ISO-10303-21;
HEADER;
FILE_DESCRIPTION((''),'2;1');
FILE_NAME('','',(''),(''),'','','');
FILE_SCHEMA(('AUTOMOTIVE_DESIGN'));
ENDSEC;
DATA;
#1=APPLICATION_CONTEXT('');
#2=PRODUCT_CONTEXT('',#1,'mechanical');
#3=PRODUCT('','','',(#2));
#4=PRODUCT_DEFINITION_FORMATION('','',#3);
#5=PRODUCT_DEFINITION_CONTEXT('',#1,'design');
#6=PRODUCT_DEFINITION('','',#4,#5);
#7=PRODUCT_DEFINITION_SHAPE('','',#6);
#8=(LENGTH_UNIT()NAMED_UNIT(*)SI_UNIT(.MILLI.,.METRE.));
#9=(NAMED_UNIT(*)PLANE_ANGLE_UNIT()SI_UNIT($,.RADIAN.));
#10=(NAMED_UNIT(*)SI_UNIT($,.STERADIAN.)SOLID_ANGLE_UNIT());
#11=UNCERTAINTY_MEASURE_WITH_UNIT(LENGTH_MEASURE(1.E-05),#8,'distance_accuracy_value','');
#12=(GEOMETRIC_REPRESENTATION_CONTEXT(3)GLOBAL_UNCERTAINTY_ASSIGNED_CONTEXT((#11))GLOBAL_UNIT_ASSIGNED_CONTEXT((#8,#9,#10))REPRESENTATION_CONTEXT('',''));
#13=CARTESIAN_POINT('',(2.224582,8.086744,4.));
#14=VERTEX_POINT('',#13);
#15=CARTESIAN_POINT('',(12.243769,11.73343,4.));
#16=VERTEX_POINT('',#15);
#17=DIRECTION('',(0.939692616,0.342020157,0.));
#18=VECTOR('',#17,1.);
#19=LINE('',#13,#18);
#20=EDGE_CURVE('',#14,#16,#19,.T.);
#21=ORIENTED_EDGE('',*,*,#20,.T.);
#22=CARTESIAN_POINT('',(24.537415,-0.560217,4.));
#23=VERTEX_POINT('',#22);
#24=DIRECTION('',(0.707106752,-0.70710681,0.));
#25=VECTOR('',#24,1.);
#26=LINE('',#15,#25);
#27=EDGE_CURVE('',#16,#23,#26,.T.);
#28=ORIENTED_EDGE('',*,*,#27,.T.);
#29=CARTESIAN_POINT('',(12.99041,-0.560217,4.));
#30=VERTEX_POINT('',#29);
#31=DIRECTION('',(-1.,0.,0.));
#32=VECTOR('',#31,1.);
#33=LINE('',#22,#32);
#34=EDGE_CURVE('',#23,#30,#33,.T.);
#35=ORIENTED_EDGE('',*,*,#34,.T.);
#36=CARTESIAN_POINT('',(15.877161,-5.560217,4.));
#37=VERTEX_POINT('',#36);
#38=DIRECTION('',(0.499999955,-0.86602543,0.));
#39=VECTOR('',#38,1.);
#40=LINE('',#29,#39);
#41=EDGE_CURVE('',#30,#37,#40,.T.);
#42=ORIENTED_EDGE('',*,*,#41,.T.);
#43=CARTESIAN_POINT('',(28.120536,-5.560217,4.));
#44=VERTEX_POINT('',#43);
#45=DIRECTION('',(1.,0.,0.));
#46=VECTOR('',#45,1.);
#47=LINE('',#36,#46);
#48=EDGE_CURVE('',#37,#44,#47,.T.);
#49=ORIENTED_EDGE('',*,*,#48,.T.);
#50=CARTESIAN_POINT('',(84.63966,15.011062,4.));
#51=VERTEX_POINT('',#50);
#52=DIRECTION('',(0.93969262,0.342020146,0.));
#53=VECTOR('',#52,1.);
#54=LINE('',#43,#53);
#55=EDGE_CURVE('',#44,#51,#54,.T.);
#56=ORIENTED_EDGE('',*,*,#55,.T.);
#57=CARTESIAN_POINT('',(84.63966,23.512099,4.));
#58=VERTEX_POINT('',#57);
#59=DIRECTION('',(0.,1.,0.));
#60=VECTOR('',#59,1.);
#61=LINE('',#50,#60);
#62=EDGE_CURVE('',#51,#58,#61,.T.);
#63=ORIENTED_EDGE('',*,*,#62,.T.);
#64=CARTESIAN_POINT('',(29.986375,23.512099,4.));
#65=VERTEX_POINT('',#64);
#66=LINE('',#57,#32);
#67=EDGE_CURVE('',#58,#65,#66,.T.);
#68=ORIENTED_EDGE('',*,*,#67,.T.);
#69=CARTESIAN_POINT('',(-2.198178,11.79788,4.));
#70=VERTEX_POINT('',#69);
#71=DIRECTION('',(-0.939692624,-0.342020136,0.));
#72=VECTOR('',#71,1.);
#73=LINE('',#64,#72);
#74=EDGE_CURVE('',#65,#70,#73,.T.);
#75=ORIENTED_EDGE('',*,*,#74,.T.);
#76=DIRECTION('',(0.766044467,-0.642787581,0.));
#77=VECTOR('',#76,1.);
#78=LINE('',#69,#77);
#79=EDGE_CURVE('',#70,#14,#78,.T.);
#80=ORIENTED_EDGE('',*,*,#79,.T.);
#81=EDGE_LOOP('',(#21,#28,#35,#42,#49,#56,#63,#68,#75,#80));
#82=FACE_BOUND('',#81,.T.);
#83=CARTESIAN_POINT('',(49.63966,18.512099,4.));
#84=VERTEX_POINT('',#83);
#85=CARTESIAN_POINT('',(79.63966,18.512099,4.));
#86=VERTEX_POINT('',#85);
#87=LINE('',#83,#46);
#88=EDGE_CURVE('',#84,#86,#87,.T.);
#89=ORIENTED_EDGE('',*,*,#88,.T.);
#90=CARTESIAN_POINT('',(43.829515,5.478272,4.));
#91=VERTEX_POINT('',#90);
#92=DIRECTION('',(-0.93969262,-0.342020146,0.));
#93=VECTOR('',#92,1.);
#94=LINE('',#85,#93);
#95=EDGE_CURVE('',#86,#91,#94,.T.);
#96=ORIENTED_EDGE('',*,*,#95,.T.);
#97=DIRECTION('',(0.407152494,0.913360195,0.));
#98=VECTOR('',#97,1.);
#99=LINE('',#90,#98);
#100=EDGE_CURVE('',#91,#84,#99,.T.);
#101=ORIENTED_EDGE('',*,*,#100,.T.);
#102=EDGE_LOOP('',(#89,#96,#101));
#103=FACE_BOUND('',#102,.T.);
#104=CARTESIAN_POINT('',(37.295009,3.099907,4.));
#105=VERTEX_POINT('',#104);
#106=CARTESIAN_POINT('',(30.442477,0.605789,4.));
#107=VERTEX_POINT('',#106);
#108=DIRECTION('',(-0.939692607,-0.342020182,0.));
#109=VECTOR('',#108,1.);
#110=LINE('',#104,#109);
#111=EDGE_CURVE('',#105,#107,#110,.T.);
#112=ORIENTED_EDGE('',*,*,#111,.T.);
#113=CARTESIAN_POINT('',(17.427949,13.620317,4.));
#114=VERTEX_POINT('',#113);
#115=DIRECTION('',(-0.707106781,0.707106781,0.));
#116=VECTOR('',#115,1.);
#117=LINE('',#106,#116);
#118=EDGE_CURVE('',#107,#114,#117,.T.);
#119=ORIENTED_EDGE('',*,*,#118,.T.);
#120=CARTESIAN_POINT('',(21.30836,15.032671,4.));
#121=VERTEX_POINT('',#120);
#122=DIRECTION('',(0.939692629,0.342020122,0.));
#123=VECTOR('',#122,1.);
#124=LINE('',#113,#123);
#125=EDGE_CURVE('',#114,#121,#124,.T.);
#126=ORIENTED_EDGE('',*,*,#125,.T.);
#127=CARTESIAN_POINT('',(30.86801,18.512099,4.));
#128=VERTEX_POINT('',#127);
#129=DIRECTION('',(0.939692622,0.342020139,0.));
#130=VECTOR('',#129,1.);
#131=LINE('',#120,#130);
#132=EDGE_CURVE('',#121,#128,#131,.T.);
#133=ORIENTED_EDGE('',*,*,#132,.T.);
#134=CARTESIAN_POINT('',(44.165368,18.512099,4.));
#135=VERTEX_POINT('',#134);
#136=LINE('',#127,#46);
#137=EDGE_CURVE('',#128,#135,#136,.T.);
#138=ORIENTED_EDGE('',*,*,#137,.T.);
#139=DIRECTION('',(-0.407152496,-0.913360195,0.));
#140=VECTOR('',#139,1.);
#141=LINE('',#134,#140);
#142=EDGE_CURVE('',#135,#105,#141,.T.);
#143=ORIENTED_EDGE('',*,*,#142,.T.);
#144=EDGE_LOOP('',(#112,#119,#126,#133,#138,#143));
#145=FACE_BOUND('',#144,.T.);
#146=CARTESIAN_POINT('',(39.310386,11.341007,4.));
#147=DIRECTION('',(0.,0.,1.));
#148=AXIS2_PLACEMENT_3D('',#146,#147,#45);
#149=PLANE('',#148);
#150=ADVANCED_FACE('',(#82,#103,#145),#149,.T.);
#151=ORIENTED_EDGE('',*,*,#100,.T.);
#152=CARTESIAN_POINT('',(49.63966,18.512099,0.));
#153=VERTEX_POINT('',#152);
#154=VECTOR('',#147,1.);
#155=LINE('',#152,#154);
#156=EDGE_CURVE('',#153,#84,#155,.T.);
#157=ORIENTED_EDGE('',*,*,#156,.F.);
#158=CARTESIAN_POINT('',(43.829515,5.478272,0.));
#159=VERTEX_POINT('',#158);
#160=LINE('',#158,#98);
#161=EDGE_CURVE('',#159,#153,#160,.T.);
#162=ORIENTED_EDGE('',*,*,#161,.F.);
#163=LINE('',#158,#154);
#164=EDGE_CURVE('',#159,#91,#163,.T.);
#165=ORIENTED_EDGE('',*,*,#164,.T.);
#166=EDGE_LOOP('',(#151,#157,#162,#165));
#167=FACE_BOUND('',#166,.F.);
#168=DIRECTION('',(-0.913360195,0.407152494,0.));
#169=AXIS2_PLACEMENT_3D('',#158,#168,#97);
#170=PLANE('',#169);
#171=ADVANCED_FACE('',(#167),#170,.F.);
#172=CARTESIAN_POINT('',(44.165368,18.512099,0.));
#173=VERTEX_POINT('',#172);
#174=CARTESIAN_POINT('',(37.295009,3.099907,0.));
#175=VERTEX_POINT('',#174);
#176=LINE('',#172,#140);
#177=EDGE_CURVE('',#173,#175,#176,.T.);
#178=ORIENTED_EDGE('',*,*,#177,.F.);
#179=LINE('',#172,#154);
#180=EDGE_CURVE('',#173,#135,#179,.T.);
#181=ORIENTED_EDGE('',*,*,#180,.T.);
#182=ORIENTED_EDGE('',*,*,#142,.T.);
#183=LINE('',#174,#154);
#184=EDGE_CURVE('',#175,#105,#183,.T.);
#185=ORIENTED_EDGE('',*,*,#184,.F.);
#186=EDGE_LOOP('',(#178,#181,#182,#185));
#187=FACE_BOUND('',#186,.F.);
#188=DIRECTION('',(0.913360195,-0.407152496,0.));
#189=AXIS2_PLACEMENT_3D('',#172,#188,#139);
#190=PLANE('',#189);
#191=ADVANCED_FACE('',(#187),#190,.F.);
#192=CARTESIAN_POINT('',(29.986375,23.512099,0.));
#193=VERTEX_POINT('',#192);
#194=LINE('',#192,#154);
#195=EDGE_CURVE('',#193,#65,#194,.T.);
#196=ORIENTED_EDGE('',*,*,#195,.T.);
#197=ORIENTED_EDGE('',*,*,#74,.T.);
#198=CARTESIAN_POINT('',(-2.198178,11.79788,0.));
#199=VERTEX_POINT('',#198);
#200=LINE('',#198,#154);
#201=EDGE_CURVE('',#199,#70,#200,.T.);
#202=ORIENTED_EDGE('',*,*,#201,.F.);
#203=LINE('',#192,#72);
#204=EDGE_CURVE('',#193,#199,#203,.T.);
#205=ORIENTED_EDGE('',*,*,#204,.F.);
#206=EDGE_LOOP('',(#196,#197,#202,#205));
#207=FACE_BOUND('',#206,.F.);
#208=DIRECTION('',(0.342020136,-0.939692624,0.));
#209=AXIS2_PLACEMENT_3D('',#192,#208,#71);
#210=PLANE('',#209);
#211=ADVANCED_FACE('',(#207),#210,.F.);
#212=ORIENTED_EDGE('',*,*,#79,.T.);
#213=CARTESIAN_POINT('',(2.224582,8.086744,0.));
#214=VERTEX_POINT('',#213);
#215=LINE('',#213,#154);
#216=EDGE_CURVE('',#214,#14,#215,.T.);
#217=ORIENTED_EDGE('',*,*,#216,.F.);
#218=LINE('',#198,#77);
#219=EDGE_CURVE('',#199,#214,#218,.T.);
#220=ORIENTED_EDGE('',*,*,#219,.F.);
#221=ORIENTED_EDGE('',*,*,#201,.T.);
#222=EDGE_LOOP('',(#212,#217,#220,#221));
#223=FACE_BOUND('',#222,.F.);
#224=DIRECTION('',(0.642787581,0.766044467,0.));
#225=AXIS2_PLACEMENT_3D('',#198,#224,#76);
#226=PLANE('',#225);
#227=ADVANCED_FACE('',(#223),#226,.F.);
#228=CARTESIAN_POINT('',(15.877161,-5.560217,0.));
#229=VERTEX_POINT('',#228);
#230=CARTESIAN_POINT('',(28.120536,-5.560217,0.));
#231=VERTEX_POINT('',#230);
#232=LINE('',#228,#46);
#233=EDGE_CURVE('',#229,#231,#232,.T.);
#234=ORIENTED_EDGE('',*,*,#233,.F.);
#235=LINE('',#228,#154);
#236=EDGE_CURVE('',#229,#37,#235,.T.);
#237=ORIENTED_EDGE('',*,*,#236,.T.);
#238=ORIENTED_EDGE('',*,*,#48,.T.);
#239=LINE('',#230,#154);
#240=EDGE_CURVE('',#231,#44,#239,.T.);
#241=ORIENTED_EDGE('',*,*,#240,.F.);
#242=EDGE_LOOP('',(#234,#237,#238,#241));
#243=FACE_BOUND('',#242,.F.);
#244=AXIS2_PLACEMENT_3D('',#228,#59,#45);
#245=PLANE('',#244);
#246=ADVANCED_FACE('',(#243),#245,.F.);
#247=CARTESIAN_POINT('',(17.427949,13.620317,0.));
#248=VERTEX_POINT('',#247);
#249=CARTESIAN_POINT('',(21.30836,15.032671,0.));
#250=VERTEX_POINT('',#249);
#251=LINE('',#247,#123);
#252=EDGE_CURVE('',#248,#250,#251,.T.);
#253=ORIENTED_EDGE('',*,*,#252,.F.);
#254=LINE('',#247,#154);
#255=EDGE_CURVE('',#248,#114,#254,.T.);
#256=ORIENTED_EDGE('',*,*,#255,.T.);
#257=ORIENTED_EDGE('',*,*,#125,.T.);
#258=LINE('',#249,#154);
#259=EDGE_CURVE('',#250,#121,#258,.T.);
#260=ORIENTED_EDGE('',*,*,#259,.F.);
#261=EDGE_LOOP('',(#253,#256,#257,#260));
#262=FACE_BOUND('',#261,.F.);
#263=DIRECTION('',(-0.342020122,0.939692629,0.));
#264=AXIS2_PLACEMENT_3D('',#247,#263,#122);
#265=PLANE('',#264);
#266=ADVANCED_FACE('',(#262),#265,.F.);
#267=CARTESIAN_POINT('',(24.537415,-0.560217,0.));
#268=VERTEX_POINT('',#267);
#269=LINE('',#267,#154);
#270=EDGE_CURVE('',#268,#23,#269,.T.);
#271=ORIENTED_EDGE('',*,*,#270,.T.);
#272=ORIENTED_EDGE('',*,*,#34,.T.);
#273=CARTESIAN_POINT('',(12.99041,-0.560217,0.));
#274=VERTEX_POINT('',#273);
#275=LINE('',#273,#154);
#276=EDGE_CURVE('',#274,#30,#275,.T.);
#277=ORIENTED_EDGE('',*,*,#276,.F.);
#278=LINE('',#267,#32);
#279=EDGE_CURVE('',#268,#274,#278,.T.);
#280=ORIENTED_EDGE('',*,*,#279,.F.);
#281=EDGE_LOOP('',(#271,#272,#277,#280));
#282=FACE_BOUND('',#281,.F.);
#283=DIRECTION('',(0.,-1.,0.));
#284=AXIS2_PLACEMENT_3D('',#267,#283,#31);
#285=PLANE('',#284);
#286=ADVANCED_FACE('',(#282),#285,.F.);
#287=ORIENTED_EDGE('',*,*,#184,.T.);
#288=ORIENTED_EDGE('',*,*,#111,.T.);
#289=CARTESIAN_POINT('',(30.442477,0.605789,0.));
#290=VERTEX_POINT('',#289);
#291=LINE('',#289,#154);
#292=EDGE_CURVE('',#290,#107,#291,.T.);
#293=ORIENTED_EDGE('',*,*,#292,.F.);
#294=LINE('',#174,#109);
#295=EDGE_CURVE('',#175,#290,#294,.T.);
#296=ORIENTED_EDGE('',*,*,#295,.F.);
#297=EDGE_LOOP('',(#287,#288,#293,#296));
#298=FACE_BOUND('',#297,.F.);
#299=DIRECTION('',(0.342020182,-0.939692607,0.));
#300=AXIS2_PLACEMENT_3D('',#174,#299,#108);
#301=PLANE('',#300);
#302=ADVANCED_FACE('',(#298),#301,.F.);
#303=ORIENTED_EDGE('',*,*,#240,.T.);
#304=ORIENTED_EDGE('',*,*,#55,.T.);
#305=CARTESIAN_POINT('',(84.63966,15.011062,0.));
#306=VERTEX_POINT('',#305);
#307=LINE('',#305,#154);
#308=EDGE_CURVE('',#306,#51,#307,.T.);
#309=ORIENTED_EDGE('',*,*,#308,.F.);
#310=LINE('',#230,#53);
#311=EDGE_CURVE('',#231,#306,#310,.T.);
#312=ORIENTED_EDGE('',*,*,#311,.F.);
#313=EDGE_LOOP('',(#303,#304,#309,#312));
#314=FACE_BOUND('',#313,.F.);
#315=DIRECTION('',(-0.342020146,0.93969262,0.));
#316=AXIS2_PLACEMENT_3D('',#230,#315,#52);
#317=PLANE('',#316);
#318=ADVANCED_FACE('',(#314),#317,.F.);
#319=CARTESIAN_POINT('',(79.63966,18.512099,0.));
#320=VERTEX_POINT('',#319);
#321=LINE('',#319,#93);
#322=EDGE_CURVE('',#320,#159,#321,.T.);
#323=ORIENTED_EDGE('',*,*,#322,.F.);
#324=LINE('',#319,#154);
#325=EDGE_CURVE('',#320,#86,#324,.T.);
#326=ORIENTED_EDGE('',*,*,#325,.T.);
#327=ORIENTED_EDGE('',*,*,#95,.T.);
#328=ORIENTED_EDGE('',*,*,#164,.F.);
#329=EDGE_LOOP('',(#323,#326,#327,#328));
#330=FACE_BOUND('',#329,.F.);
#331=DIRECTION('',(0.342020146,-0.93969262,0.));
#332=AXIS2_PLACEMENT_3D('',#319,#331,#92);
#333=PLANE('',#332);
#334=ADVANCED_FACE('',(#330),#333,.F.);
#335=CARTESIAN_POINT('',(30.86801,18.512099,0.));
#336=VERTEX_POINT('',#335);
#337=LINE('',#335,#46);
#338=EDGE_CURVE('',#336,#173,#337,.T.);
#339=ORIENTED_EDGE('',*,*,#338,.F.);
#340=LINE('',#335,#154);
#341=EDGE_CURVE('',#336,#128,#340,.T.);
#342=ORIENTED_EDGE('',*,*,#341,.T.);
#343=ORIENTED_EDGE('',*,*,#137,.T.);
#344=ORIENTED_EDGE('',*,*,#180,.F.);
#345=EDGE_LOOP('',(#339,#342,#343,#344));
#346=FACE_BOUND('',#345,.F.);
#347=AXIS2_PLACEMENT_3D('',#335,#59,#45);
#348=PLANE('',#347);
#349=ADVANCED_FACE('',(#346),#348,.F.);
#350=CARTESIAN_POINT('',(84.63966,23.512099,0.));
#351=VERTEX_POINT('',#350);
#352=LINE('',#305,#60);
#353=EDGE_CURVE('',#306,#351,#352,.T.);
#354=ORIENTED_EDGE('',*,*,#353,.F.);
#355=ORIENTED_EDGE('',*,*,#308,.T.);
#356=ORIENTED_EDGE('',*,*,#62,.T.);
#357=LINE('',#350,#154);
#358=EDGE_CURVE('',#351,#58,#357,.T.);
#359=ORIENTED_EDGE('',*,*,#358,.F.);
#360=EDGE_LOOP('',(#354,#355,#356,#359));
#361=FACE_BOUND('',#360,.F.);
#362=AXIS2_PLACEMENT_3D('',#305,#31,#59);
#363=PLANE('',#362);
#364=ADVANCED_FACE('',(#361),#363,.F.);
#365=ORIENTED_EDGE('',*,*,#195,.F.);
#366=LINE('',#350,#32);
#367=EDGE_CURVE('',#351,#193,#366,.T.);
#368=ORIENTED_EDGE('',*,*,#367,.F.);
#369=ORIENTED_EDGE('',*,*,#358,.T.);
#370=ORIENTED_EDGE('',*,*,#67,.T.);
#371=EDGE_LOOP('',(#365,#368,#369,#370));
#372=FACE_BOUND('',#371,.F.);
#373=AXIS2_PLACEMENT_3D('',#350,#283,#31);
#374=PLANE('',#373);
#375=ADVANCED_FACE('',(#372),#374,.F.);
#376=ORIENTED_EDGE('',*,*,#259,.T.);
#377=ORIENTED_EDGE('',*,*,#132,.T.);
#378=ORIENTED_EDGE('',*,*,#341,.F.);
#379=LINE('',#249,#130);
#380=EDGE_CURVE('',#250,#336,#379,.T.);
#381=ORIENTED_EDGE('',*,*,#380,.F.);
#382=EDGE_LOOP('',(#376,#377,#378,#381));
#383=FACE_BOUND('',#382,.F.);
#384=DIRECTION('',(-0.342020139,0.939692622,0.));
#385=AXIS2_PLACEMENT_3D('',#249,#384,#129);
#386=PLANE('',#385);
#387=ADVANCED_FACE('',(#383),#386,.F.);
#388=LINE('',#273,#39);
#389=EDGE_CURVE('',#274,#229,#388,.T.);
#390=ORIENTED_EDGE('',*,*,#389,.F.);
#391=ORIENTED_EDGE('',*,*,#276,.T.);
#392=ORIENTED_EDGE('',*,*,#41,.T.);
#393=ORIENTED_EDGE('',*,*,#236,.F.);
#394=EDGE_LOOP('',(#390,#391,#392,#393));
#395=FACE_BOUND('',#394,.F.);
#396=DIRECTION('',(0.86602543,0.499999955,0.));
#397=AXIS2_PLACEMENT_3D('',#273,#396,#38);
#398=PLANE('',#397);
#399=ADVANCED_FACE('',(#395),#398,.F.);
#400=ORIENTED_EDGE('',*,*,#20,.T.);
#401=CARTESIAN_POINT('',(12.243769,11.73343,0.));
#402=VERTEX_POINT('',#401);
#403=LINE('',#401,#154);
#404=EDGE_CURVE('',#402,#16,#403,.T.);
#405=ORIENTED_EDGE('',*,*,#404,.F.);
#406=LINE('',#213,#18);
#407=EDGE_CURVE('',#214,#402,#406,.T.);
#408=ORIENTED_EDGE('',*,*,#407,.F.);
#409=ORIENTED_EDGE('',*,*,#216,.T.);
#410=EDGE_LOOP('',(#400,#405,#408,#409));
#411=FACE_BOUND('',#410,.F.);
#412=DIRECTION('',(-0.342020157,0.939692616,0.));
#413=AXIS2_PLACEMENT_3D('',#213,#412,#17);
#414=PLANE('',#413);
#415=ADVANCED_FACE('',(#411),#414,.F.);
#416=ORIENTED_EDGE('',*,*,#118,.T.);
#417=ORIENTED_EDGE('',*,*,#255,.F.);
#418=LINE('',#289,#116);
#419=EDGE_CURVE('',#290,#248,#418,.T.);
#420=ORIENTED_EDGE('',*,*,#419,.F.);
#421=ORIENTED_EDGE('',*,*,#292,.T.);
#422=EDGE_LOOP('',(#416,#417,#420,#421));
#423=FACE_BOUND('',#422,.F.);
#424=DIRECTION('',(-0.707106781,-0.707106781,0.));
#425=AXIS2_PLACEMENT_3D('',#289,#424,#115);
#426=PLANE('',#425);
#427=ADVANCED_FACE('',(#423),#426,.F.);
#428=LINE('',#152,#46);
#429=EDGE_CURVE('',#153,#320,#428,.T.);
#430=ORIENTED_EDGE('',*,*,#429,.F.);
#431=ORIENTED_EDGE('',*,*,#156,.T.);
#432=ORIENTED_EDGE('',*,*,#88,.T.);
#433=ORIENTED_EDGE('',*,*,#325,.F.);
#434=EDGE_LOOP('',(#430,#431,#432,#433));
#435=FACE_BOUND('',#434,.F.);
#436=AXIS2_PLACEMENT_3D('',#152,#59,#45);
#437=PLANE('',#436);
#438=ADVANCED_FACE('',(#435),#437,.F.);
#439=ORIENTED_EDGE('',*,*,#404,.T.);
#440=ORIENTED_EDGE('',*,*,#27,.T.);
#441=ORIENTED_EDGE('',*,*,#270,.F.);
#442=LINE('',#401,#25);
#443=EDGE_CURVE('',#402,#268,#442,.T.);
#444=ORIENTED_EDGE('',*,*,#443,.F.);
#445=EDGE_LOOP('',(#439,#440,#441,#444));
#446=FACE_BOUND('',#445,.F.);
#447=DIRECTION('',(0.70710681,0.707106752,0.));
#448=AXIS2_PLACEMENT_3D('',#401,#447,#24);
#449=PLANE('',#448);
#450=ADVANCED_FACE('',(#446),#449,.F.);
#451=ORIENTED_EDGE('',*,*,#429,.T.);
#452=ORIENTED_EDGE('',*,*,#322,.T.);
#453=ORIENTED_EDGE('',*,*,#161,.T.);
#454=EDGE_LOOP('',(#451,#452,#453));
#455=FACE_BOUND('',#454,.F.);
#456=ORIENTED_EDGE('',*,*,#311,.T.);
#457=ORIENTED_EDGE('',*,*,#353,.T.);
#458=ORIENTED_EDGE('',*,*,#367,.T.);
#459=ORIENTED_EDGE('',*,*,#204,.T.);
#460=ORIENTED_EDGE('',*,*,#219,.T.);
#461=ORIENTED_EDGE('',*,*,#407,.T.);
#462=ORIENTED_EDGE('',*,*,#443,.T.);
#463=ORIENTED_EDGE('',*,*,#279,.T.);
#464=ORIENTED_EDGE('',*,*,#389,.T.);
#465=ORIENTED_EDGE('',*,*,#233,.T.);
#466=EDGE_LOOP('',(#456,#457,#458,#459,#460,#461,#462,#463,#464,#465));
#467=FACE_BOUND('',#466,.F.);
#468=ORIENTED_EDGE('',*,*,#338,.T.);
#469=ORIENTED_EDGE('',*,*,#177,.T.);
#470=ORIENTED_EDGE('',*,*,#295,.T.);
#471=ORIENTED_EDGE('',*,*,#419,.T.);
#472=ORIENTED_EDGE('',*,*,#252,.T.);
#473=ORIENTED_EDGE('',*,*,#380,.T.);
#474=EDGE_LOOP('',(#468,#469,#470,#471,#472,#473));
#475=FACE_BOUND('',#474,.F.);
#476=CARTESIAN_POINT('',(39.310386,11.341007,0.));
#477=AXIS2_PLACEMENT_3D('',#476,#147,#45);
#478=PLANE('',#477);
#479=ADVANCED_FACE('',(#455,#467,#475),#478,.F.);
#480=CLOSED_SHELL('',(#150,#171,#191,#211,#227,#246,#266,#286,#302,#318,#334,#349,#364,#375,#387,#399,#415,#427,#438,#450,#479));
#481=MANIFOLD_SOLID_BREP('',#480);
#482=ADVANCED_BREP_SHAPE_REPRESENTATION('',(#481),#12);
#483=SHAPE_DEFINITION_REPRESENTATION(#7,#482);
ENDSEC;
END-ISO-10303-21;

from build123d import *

# Parameters (mm, degrees)
F1_DEPTH = 4


with BuildPart() as f1:
    # F0 (on Top) → F1 (new body)
    with BuildSketch(Plane.XY):
        Polygon((24.537415, -0.560217), (12.99041, -0.560217), (15.877161, -5.560217), (28.120536, -5.560217), (84.63966, 15.011062), (84.63966, 23.512099), (29.986375, 23.512099), (-2.198178, 11.79788), (2.224582, 8.086744), (12.243769, 11.73343), align=None)
        Polygon((30.86801, 18.512099), (44.165368, 18.512099), (37.295009, 3.099907), (30.442477, 0.605789), (17.427949, 13.620317), (21.30836, 15.032671), align=None, mode=Mode.SUBTRACT)
        Polygon((43.829515, 5.478272), (49.63966, 18.512099), (79.63966, 18.512099), align=None, mode=Mode.SUBTRACT)
    extrude(amount=F1_DEPTH)


solid = f1.part
